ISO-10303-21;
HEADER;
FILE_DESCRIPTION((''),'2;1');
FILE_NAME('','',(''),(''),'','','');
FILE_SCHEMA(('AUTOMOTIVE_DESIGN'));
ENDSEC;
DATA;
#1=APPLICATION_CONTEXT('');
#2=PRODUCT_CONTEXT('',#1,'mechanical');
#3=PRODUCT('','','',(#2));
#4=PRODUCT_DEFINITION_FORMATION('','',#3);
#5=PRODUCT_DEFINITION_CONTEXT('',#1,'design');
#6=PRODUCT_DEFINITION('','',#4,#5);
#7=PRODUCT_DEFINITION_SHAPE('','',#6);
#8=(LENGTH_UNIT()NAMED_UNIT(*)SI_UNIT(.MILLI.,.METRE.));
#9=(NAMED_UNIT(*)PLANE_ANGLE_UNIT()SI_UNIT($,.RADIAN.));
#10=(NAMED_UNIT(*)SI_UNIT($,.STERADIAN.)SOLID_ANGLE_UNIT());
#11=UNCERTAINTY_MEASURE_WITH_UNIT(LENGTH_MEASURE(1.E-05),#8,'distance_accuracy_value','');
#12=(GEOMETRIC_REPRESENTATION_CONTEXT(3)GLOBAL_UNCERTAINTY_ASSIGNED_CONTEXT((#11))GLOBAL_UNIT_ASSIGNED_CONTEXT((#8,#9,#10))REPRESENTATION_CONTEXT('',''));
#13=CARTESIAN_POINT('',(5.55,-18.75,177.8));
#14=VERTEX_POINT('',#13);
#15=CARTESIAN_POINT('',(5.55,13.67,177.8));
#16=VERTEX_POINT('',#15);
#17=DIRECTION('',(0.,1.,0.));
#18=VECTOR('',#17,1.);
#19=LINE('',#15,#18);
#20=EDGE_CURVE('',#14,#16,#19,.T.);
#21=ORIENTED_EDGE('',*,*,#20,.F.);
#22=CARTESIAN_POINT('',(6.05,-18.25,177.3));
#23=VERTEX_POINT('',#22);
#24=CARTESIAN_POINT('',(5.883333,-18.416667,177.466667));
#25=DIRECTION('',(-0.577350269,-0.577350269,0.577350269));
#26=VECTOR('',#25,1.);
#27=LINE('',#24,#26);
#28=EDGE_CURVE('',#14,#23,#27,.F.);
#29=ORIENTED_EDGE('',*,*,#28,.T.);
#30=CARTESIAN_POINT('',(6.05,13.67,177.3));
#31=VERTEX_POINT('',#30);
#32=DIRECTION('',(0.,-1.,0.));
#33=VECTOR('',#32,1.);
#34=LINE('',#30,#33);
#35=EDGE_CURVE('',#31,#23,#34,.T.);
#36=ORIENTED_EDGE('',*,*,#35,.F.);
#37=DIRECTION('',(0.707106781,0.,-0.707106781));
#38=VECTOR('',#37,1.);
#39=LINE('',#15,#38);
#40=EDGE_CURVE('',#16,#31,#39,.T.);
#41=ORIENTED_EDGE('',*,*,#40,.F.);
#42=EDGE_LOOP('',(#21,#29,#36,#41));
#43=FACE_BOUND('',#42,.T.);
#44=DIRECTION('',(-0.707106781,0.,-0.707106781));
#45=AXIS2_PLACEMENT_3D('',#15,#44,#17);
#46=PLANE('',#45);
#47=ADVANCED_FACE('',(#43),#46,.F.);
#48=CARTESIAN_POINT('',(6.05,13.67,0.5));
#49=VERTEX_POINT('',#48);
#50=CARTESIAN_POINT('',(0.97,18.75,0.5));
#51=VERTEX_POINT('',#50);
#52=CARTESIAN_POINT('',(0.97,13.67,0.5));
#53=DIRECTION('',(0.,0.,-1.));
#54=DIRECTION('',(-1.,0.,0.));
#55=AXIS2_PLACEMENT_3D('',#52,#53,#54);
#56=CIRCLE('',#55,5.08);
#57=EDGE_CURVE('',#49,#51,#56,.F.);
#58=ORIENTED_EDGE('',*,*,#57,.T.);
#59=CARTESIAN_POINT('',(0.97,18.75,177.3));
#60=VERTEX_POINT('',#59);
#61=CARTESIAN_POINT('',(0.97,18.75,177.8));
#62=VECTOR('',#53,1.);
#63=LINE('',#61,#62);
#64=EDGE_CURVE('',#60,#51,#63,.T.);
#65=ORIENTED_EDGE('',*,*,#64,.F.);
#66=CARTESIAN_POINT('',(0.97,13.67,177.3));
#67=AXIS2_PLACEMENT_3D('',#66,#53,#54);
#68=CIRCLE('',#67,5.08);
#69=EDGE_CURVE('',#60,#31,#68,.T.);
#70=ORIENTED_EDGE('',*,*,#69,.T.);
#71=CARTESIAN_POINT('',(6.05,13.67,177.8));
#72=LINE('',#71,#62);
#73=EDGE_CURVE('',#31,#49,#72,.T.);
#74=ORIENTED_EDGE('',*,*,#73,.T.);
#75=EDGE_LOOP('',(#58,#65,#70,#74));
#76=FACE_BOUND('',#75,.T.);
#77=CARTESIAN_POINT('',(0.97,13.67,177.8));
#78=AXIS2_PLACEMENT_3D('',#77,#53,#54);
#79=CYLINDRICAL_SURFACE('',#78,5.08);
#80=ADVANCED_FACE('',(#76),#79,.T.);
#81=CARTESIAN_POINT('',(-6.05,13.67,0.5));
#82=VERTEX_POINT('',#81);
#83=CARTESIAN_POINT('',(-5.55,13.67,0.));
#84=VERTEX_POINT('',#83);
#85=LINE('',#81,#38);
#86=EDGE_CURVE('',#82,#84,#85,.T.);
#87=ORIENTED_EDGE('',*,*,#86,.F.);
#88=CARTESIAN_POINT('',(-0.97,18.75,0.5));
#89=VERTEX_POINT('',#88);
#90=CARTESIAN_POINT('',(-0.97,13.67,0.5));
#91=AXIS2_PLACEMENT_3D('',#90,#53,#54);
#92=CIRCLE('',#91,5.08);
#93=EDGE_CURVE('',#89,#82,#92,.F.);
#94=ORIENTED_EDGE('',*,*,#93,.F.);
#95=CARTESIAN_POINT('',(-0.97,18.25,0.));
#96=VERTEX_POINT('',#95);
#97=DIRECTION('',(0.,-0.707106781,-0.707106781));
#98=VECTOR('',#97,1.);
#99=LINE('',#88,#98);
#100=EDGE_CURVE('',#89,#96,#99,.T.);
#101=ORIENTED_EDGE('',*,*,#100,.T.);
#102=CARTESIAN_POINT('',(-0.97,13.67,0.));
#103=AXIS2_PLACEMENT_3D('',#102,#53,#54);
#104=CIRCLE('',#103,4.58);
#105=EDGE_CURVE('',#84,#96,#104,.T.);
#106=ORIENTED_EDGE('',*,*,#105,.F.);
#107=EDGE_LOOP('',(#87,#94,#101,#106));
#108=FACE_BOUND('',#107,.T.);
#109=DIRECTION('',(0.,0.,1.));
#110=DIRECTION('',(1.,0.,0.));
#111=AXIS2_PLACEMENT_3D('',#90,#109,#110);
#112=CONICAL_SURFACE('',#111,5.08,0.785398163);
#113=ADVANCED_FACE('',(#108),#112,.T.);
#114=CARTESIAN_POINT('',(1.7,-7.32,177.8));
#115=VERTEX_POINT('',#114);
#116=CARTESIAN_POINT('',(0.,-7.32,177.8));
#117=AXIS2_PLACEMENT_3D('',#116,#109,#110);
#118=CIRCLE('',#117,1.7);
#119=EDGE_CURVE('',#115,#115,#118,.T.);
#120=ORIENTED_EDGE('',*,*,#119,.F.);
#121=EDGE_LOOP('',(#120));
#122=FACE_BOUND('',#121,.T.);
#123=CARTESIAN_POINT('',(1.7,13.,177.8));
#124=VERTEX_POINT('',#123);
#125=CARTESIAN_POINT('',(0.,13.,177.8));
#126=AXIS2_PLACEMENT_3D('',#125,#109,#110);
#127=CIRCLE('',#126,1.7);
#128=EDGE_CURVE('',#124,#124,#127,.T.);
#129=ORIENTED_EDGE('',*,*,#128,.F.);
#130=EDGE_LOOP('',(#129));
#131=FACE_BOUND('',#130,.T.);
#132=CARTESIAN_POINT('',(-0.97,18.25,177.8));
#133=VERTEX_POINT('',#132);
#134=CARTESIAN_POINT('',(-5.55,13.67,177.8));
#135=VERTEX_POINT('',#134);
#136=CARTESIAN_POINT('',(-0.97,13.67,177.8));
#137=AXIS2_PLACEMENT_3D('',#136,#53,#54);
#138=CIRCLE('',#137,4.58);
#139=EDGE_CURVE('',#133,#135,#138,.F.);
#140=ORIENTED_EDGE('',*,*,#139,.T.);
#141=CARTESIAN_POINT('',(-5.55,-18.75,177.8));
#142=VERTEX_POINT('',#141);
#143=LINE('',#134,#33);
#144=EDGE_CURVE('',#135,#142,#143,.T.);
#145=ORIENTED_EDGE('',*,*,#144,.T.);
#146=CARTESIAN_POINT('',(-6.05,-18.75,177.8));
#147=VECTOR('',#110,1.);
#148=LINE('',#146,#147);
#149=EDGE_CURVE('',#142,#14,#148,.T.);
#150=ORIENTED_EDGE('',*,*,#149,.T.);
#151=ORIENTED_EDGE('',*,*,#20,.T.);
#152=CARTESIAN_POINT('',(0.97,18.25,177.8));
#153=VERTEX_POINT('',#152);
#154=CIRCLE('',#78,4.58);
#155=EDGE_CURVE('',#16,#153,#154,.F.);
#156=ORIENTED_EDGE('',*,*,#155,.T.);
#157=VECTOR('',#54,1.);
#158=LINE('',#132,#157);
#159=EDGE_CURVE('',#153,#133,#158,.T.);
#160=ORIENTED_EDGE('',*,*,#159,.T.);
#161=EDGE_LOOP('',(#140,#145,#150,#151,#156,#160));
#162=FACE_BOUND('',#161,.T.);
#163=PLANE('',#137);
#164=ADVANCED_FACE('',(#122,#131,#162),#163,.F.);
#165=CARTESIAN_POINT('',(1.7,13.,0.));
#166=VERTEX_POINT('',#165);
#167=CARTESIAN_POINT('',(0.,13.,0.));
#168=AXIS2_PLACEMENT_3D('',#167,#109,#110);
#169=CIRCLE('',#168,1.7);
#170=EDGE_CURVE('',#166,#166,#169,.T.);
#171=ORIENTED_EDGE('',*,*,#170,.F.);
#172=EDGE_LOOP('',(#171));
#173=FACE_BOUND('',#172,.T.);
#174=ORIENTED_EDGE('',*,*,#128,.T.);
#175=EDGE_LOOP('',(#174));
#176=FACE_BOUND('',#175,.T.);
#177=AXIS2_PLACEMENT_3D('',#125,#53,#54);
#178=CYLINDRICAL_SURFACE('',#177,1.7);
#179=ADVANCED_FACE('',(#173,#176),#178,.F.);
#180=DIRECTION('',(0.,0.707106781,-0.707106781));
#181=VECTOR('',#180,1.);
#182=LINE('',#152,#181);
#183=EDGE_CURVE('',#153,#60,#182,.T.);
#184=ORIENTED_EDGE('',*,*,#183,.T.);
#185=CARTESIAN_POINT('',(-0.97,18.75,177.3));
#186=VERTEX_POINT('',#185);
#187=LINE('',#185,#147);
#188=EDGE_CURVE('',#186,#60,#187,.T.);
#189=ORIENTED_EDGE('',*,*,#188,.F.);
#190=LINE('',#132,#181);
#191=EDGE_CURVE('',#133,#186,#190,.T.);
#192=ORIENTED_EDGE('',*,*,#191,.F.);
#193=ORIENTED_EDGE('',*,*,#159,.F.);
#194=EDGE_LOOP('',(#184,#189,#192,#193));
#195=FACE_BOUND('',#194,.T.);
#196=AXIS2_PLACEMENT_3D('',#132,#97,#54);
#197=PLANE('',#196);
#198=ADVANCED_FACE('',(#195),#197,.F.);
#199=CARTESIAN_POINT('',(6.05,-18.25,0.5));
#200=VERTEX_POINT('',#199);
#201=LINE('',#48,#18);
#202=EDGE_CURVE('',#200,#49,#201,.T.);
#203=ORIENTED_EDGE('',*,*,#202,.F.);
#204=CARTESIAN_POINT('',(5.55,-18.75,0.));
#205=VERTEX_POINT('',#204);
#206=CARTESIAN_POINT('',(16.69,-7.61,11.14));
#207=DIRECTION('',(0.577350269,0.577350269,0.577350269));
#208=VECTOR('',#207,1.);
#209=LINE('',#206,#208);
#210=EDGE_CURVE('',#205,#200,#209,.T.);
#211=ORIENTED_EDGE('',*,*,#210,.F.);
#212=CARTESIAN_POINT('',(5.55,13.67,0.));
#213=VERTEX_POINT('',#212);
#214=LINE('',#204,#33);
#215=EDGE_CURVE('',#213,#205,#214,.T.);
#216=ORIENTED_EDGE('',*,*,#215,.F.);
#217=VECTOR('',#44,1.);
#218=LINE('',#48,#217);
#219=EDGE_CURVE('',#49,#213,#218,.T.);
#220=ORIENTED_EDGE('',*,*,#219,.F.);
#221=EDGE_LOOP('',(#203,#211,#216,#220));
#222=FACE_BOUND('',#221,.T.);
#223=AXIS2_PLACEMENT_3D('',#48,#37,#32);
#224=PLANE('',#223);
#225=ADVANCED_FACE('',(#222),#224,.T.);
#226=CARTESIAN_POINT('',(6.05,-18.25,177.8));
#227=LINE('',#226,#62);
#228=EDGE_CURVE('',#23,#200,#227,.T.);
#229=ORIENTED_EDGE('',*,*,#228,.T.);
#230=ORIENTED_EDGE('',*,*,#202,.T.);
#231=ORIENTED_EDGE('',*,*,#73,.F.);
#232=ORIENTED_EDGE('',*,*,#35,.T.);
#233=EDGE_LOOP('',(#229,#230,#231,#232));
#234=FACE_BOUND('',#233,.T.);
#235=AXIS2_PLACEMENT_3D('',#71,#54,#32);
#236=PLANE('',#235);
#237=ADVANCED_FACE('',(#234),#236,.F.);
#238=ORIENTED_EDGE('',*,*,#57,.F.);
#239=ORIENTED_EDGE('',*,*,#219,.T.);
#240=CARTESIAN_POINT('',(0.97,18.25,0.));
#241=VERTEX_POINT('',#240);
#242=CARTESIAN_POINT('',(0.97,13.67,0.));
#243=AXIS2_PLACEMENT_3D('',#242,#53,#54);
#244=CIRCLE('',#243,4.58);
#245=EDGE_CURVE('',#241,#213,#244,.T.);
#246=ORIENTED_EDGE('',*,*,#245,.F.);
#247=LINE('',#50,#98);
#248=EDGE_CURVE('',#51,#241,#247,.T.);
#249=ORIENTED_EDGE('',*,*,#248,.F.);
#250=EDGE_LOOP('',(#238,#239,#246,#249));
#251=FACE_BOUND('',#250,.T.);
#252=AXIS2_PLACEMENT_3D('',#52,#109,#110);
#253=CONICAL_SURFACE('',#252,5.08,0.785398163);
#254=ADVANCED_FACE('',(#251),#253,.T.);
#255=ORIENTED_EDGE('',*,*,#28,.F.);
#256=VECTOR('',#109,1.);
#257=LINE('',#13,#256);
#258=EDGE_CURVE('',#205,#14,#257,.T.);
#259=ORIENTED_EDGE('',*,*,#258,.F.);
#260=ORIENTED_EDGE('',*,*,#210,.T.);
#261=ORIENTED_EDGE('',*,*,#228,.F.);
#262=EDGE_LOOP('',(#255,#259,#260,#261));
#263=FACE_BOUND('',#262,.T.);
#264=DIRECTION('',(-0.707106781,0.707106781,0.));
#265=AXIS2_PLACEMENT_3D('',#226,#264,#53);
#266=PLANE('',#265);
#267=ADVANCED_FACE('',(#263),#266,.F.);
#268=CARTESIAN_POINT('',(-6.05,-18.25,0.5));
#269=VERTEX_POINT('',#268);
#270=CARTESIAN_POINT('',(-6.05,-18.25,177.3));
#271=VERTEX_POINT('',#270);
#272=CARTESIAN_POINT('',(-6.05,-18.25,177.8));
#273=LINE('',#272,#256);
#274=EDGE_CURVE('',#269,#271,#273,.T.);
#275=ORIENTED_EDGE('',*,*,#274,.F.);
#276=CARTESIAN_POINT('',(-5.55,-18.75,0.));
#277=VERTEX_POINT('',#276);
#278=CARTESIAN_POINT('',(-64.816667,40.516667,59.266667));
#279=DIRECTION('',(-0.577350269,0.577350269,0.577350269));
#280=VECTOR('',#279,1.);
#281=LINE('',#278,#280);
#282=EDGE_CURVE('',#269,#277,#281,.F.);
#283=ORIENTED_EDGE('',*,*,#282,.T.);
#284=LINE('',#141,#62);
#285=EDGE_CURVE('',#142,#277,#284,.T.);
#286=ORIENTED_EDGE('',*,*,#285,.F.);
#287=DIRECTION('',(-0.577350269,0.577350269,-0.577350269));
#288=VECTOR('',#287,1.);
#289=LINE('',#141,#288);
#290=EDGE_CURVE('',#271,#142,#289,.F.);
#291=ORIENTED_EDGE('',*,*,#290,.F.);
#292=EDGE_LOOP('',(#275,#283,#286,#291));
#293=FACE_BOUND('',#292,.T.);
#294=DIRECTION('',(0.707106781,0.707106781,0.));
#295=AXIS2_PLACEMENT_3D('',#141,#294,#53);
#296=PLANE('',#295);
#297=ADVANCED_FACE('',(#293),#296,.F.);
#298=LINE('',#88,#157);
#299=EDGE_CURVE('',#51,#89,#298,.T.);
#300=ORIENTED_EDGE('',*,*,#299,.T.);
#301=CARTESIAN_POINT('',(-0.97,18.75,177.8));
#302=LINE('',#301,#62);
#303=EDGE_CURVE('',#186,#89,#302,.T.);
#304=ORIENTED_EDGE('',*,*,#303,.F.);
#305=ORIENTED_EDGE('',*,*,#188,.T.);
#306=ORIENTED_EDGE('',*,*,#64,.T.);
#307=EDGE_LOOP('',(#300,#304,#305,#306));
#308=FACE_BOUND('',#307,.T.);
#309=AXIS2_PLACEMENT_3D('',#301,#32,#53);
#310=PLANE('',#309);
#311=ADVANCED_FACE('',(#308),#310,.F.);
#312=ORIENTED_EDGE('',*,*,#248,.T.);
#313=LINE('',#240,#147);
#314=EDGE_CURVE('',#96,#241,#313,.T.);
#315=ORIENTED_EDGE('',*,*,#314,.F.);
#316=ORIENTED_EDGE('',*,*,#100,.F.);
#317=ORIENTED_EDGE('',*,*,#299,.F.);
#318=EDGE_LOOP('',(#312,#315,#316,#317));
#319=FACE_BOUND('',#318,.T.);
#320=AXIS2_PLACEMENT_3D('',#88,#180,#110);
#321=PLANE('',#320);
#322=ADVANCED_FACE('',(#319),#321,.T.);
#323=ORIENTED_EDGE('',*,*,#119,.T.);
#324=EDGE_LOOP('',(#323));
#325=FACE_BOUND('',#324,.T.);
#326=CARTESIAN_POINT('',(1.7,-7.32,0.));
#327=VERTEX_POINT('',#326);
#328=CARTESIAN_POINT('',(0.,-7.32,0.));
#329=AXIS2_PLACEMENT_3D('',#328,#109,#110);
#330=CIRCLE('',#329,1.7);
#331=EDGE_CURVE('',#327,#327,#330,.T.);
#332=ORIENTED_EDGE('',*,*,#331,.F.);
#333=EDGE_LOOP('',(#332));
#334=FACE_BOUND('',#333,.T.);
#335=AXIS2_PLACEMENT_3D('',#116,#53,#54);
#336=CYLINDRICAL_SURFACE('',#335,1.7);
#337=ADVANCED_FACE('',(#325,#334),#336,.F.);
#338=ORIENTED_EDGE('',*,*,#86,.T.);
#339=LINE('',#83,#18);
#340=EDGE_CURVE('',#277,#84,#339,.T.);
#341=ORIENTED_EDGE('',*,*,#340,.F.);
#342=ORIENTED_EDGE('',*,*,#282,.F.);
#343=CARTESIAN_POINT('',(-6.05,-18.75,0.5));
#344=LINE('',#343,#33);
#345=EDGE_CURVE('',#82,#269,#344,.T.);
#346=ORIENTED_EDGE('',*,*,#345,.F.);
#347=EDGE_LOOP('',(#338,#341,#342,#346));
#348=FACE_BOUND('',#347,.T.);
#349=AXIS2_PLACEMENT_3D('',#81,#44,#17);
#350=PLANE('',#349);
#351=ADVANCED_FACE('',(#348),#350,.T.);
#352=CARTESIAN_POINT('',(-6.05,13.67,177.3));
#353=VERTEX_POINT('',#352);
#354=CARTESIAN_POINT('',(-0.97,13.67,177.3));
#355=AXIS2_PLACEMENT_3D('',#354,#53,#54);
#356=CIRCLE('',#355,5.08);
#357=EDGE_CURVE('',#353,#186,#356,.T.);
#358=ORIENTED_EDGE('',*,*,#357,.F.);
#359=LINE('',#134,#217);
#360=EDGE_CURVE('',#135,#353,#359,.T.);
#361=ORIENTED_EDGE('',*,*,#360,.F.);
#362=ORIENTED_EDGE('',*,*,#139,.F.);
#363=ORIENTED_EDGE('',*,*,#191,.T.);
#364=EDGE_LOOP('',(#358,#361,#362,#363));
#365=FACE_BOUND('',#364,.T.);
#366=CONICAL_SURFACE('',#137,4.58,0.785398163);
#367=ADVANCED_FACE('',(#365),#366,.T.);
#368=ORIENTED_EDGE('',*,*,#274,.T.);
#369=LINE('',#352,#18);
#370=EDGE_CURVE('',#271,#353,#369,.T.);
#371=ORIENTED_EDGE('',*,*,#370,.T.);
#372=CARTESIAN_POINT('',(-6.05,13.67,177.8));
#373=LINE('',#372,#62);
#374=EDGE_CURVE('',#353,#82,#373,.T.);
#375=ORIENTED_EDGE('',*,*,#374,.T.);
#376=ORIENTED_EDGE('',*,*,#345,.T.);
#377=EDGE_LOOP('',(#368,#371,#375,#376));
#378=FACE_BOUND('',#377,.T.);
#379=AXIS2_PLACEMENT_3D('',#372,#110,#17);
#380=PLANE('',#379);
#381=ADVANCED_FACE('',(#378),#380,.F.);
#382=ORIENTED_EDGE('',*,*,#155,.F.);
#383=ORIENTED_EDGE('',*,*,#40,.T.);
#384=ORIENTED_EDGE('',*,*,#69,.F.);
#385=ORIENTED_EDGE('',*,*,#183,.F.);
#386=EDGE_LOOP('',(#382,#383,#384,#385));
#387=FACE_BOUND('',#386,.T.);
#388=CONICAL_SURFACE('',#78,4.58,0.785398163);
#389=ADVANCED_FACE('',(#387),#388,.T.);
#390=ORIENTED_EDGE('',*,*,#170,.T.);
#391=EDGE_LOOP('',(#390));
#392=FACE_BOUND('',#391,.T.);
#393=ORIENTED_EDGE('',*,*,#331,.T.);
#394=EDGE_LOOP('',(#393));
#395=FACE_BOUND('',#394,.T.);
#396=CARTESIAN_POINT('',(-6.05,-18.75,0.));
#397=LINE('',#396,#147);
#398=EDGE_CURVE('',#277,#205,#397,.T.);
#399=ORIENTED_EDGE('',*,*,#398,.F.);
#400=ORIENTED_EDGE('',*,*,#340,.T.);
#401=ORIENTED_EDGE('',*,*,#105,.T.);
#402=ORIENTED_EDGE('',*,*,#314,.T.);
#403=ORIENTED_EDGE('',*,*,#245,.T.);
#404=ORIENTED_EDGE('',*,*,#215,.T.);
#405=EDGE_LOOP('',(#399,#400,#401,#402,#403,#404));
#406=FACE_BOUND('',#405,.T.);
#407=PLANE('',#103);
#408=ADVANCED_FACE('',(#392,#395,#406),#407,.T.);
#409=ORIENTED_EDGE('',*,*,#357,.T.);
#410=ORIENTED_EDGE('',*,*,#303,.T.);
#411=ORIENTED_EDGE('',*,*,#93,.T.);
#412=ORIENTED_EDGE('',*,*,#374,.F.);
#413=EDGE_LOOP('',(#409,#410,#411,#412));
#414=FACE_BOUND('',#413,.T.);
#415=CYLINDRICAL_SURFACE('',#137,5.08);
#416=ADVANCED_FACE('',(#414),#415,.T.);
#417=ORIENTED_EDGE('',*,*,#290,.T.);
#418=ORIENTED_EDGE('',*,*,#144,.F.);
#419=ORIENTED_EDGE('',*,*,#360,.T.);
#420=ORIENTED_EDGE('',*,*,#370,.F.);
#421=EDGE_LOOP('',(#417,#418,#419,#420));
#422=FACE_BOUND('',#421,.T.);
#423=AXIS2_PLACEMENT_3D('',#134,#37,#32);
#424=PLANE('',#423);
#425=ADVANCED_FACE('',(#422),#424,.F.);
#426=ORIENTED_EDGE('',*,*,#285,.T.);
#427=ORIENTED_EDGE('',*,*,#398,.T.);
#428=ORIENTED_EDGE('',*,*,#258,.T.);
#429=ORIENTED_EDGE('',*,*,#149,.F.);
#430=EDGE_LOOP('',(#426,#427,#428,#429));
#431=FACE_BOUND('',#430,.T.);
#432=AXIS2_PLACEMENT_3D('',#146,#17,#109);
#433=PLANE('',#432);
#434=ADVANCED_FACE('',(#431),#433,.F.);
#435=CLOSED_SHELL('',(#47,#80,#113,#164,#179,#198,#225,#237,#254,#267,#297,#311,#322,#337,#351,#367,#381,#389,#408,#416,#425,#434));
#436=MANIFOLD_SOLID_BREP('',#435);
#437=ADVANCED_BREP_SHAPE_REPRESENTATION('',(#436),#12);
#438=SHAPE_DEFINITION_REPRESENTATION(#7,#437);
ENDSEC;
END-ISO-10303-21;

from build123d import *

# Parameters (mm, degrees)
SKETCH1_R           = 1.7
BOSS_EXTRUDE1_DEPTH = 177.8
CHAMFER1_SIZE       = 0.5


with BuildPart() as part:
    # Sketch1 → Boss-Extrude1 (new body)
    with BuildSketch(Plane.XY):
        with BuildLine():
            Line((-0.97, 18.75), (0.97, 18.75))
            ThreePointArc((0.97, 18.75), (4.562102448, 17.262102448), (6.05, 13.67))
            Line((6.05, 13.67), (6.05, -18.75))
            Line((6.05, -18.75), (-6.05, -18.75))
            Line((-6.05, -18.75), (-6.05, 13.67))
            ThreePointArc((-6.05, 13.67), (-4.562102448, 17.262102448), (-0.97, 18.75))
        make_face()
        with Locations((0, 13)):
            Circle(SKETCH1_R, mode=Mode.SUBTRACT)
        with Locations((0, -7.32)):
            Circle(SKETCH1_R, mode=Mode.SUBTRACT)
    extrude(amount=BOSS_EXTRUDE1_DEPTH)

    # Chamfer1
    chamfer1_edges = [part.edges().sort_by_distance(p)[0] for p in [
        (6.05, -18.75, 88.9),
        (-6.05, -18.75, 88.9),
        (0, 18.75, 177.8),
        (-4.562102448, 17.262102448, 177.8),
        (-6.05, -2.54, 177.8),
        (6.05, -2.54, 177.8),
        (-6.05, -2.54, 0),
        (-4.562102448, 17.262102448, 0),
        (0, 18.75, 0),
        (4.562102448, 17.262102448, 0),
        (6.05, -2.54, 0),
        (4.562102448, 17.262102448, 177.8),
    ]]
    chamfer(chamfer1_edges, length=CHAMFER1_SIZE)


solid = part.part
